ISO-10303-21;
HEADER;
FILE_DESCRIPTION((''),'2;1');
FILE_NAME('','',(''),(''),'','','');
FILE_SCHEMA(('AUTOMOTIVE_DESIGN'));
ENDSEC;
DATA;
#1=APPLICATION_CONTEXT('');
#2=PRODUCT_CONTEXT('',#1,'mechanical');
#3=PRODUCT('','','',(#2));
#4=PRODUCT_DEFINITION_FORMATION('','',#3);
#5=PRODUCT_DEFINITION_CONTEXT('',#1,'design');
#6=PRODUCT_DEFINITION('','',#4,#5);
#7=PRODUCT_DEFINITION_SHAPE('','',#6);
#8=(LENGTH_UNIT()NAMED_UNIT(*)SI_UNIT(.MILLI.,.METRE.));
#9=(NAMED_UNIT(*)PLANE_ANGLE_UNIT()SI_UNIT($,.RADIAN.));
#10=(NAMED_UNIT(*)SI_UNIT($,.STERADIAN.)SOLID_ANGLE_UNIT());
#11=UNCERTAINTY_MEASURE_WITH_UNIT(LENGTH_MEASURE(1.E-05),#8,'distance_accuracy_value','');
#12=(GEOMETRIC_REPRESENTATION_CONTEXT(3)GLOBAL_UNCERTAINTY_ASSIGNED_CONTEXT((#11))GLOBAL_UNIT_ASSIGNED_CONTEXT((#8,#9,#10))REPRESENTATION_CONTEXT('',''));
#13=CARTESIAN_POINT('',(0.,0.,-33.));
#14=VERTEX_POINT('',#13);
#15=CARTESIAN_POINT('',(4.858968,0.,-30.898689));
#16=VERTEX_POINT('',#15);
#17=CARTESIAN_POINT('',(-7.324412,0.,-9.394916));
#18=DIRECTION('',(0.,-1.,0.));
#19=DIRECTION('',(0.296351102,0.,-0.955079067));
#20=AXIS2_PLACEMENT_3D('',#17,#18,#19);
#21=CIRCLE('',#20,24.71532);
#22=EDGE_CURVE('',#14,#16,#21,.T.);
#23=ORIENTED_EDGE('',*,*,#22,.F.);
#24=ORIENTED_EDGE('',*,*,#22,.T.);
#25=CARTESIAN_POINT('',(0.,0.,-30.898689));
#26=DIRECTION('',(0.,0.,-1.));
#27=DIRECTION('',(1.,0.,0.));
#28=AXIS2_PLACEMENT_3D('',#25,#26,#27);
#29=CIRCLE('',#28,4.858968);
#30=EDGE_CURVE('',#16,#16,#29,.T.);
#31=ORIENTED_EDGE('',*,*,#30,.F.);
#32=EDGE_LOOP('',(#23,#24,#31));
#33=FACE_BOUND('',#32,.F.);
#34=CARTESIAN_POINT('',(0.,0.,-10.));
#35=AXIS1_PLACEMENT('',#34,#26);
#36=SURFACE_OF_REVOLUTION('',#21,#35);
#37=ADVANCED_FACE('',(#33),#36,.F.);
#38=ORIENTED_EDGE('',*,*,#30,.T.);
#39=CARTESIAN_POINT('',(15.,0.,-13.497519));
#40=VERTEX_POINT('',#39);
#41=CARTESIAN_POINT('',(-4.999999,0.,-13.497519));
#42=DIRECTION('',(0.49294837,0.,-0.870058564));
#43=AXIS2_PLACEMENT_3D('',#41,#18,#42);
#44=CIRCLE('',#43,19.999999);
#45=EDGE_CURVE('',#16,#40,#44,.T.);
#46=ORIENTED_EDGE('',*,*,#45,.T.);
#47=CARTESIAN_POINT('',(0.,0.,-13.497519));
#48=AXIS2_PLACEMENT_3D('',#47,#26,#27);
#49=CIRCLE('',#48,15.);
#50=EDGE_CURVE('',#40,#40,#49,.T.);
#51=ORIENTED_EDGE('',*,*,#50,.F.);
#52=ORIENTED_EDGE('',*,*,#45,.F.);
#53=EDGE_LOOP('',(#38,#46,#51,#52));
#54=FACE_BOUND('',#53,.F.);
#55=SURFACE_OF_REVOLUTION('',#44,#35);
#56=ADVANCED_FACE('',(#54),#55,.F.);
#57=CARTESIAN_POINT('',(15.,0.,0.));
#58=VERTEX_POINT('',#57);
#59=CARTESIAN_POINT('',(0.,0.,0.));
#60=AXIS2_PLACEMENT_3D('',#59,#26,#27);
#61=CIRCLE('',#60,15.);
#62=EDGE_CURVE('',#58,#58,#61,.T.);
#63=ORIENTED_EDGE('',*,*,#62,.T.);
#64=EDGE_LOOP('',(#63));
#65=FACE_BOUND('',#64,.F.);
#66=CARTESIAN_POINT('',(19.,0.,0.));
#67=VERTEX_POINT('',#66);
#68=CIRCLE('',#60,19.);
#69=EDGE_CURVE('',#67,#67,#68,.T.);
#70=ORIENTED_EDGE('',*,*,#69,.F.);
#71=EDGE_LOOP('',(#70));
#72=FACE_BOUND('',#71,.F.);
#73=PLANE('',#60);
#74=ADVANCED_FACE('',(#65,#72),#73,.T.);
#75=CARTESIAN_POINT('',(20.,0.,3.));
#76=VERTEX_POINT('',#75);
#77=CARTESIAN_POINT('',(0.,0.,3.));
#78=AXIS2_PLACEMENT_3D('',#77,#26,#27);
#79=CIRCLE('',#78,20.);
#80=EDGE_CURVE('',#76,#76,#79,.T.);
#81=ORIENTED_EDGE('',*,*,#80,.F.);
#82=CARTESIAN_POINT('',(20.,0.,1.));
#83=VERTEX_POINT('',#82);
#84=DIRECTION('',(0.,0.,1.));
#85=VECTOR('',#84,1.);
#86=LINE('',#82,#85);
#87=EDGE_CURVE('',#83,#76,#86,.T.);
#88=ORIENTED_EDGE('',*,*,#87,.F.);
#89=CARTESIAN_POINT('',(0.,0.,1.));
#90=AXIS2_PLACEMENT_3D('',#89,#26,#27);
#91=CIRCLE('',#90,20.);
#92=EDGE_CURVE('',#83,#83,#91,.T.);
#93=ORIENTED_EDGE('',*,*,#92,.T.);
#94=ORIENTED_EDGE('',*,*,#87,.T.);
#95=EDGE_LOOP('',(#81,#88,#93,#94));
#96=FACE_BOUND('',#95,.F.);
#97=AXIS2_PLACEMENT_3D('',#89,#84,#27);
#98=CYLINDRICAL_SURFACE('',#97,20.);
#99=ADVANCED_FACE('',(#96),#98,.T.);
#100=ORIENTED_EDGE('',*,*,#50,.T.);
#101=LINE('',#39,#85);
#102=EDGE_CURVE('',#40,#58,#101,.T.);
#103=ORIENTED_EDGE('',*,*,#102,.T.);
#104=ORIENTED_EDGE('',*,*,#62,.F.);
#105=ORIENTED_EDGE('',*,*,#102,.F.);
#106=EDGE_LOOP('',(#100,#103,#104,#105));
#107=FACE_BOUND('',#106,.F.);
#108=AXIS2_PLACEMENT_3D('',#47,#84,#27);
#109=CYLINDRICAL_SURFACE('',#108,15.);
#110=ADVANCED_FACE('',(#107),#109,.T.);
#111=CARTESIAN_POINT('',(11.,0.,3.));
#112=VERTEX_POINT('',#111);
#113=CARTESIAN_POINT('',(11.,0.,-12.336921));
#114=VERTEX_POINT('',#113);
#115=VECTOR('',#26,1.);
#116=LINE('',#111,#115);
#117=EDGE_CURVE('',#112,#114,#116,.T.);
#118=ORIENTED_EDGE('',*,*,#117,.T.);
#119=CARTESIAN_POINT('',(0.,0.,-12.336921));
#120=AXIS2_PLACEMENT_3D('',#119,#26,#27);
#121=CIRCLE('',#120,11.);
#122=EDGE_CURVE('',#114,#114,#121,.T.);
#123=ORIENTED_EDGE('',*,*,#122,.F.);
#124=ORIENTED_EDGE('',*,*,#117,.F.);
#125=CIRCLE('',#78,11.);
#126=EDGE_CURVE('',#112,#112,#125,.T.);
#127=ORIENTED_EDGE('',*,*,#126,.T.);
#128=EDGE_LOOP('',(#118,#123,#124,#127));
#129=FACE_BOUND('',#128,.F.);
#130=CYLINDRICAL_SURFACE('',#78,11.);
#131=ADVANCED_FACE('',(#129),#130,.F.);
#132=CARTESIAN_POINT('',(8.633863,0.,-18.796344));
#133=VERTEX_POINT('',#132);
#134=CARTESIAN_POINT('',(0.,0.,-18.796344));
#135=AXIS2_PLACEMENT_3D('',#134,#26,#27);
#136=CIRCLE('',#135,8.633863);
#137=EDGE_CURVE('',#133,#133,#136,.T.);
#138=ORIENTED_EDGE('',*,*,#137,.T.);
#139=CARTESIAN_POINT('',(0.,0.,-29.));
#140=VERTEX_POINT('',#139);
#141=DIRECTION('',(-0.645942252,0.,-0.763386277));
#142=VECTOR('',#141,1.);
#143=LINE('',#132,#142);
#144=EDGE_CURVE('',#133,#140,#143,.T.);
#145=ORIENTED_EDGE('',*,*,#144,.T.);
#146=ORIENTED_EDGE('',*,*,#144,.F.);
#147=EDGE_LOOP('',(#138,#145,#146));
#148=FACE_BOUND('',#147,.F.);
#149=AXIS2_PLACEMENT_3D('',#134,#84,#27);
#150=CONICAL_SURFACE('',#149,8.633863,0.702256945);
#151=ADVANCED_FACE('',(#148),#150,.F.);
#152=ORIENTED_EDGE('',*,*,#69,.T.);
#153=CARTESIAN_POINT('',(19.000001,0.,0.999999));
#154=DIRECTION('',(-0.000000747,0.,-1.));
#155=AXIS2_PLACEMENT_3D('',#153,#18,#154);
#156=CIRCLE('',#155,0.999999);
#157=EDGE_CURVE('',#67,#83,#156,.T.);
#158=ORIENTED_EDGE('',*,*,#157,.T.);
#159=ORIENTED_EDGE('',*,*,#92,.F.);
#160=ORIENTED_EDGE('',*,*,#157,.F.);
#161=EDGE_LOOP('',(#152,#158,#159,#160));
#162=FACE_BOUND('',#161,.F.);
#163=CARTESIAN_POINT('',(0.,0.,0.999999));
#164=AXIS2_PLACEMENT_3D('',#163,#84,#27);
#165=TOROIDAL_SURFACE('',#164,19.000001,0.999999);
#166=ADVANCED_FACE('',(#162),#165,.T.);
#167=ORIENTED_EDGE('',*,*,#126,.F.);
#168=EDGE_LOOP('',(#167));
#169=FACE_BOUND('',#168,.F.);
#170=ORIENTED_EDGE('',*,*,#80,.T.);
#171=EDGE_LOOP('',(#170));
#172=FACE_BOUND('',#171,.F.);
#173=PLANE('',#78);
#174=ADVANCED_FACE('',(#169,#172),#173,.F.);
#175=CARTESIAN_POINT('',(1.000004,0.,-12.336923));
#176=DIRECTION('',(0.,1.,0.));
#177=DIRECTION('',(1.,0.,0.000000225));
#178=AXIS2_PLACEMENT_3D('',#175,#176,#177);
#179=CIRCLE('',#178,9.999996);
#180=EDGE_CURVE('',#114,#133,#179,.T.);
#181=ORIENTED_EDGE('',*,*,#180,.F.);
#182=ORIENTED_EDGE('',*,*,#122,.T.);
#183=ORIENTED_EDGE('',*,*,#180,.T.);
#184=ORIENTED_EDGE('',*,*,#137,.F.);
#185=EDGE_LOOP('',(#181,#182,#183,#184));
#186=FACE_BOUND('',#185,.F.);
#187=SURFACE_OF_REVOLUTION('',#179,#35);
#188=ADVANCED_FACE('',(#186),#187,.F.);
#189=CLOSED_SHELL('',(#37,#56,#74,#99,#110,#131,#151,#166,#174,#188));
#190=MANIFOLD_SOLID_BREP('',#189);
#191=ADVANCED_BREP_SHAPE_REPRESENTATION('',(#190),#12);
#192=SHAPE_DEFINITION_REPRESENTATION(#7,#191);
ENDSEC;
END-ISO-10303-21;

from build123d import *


with BuildPart() as f1:
    # F0 (on Front) → F1 (revolve)
    with BuildSketch(Plane.XZ):
        with BuildLine():
            Line((15, -13.497519), (15, 0))
            Line((15, 0), (19, 0))
            ThreePointArc((19, 0), (19.707107, 0.292893), (20, 1))
            Line((20, 1), (20, 3))
            Line((20, 3), (11, 3))
            Line((11, 3), (11, -12.336921))
            ThreePointArc((11, -12.336921), (10.389852, -15.776498), (8.633863, -18.796344))
            Line((8.633863, -18.796344), (0, -29))
            Line((0, -29), (0, -33))
            ThreePointArc((0, -33), (2.485907, -32.079815), (4.858968, -30.898689))
            ThreePointArc((4.858968, -30.898689), (12.279748, -23.567787), (15, -13.497519))
        make_face()
    revolve(axis=Axis((0, 0, -10), (0, 0, -1)))


solid = f1.part
